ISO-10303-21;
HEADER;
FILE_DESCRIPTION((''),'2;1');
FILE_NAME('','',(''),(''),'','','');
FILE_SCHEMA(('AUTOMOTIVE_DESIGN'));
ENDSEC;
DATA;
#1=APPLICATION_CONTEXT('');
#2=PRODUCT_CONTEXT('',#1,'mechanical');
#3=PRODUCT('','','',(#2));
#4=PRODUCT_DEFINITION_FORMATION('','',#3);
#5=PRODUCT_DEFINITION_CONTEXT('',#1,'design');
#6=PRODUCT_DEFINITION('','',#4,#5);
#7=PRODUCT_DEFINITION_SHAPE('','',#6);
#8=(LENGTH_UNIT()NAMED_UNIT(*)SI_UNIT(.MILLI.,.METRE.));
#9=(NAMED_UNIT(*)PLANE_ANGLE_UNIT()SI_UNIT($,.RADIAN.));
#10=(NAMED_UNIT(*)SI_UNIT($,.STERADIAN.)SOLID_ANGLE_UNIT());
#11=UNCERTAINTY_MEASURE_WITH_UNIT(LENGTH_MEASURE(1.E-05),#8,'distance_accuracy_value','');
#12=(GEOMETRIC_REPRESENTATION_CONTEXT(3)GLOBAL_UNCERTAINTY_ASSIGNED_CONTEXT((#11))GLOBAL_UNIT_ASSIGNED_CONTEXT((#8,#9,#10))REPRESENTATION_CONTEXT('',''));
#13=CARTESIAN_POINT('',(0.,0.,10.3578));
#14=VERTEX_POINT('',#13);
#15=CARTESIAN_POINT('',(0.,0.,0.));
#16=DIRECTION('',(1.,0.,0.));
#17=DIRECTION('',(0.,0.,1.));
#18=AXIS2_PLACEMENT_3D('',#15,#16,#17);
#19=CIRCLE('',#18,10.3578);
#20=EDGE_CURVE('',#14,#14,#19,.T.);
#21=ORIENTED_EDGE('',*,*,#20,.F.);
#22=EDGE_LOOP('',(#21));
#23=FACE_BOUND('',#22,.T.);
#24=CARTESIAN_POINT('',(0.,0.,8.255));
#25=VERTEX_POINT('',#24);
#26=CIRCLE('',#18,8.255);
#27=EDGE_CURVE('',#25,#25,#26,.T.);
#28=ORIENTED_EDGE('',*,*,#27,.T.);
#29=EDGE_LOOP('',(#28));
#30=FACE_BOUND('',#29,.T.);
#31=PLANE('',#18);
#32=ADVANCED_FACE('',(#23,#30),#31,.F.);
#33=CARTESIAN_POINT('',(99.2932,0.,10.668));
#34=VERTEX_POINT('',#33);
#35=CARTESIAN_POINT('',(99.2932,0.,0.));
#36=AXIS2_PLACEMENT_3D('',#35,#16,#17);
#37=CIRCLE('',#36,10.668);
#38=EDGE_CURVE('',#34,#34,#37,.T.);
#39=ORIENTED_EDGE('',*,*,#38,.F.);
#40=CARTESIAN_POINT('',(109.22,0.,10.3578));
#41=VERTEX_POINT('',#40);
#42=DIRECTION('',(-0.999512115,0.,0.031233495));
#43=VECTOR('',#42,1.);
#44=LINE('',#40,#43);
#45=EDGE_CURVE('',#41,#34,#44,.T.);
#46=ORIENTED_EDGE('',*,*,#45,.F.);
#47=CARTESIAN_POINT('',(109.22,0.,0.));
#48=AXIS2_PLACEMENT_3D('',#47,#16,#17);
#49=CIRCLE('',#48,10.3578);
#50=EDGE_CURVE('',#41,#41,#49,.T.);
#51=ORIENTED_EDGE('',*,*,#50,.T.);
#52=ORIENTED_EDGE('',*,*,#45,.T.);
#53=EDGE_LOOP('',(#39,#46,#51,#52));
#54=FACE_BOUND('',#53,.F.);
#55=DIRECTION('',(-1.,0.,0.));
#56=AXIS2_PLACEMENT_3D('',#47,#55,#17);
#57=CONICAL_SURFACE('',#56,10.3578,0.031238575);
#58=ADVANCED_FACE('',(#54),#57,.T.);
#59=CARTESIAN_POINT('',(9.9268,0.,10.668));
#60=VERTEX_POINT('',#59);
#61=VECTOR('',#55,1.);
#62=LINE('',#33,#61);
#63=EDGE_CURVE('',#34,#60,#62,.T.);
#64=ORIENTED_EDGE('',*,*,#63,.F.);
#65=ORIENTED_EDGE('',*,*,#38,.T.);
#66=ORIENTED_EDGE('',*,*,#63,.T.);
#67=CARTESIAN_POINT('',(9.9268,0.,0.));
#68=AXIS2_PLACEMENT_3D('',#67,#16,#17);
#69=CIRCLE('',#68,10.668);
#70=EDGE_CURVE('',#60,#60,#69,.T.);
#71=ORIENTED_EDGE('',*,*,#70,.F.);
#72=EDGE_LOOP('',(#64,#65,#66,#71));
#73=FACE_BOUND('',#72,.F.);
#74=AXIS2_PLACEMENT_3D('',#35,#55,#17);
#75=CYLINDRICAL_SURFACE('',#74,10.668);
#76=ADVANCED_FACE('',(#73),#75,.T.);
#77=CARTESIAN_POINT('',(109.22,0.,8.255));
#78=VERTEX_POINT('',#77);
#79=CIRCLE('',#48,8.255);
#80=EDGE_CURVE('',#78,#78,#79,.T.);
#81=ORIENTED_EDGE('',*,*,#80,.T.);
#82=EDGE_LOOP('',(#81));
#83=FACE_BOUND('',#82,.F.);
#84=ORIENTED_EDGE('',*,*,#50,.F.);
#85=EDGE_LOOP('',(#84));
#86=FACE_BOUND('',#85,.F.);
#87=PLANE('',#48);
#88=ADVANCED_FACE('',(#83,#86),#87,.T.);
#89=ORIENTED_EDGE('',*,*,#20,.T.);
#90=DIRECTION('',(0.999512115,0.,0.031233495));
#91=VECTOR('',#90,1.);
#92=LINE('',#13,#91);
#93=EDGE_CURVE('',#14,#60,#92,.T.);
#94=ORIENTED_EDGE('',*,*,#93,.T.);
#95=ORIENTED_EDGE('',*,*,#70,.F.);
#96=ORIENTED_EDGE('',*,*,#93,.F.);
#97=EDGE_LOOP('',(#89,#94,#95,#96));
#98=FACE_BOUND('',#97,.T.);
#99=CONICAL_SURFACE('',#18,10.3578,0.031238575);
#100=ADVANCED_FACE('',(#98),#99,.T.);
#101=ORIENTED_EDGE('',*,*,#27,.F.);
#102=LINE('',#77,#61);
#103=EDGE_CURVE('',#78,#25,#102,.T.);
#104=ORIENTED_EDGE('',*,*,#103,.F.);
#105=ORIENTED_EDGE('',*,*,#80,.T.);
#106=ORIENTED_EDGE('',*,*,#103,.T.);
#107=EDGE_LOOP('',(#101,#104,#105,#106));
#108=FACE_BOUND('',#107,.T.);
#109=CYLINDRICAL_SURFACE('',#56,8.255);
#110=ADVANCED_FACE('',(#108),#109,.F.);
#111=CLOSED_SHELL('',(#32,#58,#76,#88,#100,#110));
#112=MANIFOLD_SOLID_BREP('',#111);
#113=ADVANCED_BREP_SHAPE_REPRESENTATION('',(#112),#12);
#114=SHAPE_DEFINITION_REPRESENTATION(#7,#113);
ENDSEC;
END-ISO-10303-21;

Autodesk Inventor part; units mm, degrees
ref_plane "YZ Plane" through (0, 0, 0) normal (1, 0, 0) x (0, 1, 0)
ref_plane "XZ Plane" through (0, 0, 0) normal (0, 1, 0) x (-1, 0, 0)
ref_plane "XY Plane" through (0, 0, 0) normal (0, 0, 1) x (1, 0, 0)
sketch "Sketch1" plane through (0, 0, 0) normal (0, 1, 0) x (-1, 0, 0)
  line L0 (0, 0) -> (-109.22, 0)
  line L1 (-109.22, 0) -> (-109.22, 8.255) construction
  line L2 (-109.22, 8.255) -> (-109.22, 10.3578)
  line L3 (-109.22, 10.3578) -> (-99.2932, 10.668)
  line L4 (-99.2932, 10.668) -> (-9.9268, 10.668)
  line L5 (-54.61, 0) -> (-54.61, 10.668) construction
  line L6 (-109.22, 8.255) -> (0, 8.255)
  line L7 (0, 0) -> (0, 8.255) construction
  line L8 (0, 8.255) -> (0, 10.3578)
  line L9 (0, 10.3578) -> (-9.9268, 10.668)
  line L10 (-95.664, 10.7814) -> (-95.664, 0) construction
  line L11 (-13.556, 10.7814) -> (-13.556, 0) construction
  line L12 (-99.2932, 10.668) -> (-95.664, 10.7814) construction
  line L13 (-99.2932, 10.668) -> (-99.2932, 0) construction
  line L14 (-9.9268, 10.668) -> (-13.556, 10.7814) construction
  line L15 (-9.9268, 10.668) -> (-9.9268, 0) construction
  dimension "d0" = 21.336
  dimension "d1" = 1.79
  dimension "d2" = 16.51
  dimension "d3" = 109.22
  dimension "d4" = 13.556
  dimension "d5" = 21.5628
revolve "Revolution1" add sketch "Sketch1" angle 360 about axis through (0, 0, 0) along (1, 0, 0)
thread "Thread1" size "1/2" designation "1/2 - 14 NPT" standard "NPT" full length
thread "Thread2" size "1/2" designation "1/2 - 14 NPT" standard "NPT" full length
equation "\"d0\" = OD"
equation "\"d2\" = ID"
equation "\"d3\" = L"
equation "\"d4\" = L2"
equation "\"d5\" = D2"
equation "\"OD\" = 21.336"
equation "\"t\" = 2.413"
equation "\"L\" = PL"
equation "\"L4\" = 19.8501"
equation "\"ID\" = 16.51"
equation "\"PL\" = 109.22"
equation "\"D2\" = 21.56282"
equation "\"L2\" = 13.55598"
equation "\"Size_Designation\" = 1.2345"
equation "\"PLmin\" = 2 * L2"
properties material "Steel, Wrought"
